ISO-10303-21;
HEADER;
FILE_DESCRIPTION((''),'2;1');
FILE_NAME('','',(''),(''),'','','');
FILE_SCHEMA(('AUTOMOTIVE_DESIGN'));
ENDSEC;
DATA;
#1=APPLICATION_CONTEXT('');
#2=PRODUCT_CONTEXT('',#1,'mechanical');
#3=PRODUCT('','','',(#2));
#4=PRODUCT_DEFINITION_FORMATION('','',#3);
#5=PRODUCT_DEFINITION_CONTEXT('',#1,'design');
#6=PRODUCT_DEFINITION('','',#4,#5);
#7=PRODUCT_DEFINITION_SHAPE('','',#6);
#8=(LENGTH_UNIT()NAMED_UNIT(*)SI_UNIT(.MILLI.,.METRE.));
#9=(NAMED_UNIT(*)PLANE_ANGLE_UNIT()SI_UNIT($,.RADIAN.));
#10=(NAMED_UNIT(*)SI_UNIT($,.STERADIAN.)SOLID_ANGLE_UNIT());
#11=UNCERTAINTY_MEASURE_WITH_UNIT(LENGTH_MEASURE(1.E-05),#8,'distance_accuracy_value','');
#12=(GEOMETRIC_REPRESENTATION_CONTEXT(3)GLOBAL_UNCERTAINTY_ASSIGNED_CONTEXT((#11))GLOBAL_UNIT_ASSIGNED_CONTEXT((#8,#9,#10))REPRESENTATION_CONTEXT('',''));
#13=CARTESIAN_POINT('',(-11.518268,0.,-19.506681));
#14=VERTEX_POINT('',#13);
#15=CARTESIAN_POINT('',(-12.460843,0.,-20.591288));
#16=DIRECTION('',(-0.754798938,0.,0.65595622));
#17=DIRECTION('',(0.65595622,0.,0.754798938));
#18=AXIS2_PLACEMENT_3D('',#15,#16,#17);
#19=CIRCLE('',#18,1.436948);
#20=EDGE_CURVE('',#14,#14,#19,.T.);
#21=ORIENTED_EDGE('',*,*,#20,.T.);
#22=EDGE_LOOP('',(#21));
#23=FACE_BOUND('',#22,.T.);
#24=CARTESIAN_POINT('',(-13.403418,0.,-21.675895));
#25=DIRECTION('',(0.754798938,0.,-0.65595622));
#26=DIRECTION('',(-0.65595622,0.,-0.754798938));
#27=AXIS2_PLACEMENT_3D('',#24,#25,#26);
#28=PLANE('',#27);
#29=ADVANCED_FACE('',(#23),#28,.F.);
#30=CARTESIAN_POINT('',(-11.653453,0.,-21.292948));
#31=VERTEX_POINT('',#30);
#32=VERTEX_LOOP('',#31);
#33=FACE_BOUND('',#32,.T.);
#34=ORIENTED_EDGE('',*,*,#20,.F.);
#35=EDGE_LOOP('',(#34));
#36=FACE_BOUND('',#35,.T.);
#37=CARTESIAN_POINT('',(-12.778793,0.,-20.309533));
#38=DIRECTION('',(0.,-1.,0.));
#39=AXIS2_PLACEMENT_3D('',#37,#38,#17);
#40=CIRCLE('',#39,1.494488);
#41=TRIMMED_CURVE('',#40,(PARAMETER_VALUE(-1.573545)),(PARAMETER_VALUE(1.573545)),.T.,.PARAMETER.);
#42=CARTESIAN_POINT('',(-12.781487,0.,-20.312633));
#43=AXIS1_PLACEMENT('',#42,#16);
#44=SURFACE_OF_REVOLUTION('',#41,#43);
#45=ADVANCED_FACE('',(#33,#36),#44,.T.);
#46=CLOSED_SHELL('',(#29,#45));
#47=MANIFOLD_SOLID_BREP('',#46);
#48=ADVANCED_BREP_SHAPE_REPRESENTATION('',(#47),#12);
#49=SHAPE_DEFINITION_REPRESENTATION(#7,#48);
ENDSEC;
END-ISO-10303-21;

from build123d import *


with BuildPart() as part:
    # Sketch4 → Revolve10 (revolve)
    with BuildSketch(Plane(origin=(0, 0, 0), x_dir=(1, 0, 0), z_dir=(0, 1, 0))):
        with BuildLine():
            Line((-12.4608427, 20.59128812), (-11.653453089, 21.292948139))
            ThreePointArc((-11.653453089, 21.292948139), (-12.464700391, 21.775673873), (-13.403417885, 21.675895182))
            Line((-13.403417885, 21.675895182), (-12.4608427, 20.59128812))
        make_face()
    revolve(axis=Axis((-12.4608427, 0, -20.59128812), (0.7547989382759128, 0, -0.6559562201683545)))


solid = part.part
